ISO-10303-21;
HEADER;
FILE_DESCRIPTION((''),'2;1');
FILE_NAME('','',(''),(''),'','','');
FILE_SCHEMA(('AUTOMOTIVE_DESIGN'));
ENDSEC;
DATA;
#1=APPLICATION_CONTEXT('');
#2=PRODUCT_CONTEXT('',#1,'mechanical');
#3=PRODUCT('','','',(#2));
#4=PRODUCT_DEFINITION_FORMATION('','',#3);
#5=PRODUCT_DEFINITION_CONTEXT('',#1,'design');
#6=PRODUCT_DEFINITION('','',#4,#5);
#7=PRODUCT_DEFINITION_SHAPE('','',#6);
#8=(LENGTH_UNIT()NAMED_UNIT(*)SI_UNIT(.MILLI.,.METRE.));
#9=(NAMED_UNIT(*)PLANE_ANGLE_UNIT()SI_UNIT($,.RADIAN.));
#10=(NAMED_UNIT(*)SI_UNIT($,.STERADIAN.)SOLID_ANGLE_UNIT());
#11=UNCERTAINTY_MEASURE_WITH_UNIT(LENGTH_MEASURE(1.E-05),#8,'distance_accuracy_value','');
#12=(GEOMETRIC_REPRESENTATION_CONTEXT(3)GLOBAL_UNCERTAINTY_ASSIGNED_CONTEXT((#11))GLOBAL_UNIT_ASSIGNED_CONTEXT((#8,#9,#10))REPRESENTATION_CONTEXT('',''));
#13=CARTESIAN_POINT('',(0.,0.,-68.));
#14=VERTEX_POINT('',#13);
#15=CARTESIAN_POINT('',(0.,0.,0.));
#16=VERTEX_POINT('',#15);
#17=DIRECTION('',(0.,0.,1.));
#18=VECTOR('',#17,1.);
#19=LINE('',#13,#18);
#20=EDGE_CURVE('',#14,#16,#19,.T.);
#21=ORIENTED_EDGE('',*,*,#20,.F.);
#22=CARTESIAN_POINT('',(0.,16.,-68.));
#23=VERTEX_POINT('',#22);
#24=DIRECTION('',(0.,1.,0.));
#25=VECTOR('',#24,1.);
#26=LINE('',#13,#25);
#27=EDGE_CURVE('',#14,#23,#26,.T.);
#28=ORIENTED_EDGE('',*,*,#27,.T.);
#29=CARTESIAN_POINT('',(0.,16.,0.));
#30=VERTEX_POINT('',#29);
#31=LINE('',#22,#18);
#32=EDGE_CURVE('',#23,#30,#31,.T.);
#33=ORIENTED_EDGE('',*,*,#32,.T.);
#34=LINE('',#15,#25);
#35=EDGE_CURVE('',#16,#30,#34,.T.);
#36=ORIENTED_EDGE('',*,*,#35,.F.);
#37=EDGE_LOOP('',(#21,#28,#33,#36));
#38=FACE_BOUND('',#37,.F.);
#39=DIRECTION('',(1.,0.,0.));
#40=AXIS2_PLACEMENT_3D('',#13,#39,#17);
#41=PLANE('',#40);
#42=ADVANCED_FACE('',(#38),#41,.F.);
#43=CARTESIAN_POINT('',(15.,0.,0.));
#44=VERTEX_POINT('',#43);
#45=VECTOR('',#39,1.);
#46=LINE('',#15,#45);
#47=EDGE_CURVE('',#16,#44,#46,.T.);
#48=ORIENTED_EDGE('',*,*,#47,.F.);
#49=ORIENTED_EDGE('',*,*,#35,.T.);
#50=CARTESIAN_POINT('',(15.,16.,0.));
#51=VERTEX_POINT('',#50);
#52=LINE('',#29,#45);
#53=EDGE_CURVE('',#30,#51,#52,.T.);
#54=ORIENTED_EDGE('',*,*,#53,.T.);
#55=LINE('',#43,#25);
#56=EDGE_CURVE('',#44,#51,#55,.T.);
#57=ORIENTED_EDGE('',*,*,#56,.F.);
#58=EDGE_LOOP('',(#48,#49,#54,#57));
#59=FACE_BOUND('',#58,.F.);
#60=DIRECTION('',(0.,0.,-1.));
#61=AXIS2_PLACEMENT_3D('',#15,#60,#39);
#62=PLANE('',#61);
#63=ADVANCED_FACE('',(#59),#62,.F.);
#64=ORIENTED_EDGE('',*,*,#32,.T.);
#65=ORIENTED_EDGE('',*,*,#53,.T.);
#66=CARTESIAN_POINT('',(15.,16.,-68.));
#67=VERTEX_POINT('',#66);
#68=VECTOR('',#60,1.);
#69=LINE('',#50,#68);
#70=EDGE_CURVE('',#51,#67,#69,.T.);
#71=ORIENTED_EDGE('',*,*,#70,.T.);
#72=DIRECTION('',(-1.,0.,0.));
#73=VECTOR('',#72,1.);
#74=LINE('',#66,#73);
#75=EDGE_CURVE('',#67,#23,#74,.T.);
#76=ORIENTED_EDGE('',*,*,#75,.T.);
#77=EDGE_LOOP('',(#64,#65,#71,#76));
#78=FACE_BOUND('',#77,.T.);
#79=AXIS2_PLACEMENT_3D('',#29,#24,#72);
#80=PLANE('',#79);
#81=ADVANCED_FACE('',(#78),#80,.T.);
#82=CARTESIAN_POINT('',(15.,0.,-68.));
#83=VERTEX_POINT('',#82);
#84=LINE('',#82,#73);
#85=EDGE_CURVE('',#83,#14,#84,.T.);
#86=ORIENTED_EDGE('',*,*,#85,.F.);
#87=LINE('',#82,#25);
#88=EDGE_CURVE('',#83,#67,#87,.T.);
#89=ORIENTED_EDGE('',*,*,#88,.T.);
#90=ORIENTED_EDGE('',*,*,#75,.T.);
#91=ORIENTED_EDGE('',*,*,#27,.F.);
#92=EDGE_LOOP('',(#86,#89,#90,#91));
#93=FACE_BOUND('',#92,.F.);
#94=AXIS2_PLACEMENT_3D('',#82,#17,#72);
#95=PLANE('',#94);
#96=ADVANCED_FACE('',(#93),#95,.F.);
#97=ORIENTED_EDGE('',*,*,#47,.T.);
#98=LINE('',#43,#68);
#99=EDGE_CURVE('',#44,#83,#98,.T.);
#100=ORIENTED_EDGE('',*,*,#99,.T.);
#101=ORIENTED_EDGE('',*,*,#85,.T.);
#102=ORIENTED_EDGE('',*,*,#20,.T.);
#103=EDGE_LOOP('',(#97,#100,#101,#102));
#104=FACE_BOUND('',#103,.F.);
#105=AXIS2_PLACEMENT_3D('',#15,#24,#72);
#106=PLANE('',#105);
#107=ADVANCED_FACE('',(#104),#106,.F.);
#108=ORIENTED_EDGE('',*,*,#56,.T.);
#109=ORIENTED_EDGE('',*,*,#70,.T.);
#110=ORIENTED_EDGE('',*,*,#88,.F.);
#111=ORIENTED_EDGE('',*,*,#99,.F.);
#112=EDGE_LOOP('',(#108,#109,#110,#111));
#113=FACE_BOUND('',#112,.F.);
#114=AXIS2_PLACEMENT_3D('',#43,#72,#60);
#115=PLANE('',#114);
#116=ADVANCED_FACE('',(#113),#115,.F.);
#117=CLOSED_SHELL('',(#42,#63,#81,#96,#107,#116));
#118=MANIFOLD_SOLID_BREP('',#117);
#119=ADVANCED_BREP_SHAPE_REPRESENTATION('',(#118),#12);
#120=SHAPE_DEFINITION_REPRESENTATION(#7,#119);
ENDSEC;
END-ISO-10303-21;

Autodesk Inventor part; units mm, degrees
ref_plane "YZ Plane" through (0, 0, 0) normal (1, 0, 0) x (0, 1, 0)
ref_plane "XZ Plane" through (0, 0, 0) normal (0, 1, 0) x (-1, 0, 0)
ref_plane "XY Plane" through (0, 0, 0) normal (0, 0, 1) x (1, 0, 0)
sketch "Sketch1" plane through (0, 0, 0) normal (0, 1, 0) x (-1, 0, 0)
  line L0 (0, 0) -> (-15, 0)
  line L1 (-15, 0) -> (-15, -68)
  line L2 (-15, -68) -> (0, -68)
  line L3 (0, -68) -> (0, 0)
  dimension "d0" = 15
  dimension "d1" = 68
extrude "Extrusion1" add sketch "Sketch1" along normal blind 16
properties part number "smolLipo" material "Acetal Resin, Black"
